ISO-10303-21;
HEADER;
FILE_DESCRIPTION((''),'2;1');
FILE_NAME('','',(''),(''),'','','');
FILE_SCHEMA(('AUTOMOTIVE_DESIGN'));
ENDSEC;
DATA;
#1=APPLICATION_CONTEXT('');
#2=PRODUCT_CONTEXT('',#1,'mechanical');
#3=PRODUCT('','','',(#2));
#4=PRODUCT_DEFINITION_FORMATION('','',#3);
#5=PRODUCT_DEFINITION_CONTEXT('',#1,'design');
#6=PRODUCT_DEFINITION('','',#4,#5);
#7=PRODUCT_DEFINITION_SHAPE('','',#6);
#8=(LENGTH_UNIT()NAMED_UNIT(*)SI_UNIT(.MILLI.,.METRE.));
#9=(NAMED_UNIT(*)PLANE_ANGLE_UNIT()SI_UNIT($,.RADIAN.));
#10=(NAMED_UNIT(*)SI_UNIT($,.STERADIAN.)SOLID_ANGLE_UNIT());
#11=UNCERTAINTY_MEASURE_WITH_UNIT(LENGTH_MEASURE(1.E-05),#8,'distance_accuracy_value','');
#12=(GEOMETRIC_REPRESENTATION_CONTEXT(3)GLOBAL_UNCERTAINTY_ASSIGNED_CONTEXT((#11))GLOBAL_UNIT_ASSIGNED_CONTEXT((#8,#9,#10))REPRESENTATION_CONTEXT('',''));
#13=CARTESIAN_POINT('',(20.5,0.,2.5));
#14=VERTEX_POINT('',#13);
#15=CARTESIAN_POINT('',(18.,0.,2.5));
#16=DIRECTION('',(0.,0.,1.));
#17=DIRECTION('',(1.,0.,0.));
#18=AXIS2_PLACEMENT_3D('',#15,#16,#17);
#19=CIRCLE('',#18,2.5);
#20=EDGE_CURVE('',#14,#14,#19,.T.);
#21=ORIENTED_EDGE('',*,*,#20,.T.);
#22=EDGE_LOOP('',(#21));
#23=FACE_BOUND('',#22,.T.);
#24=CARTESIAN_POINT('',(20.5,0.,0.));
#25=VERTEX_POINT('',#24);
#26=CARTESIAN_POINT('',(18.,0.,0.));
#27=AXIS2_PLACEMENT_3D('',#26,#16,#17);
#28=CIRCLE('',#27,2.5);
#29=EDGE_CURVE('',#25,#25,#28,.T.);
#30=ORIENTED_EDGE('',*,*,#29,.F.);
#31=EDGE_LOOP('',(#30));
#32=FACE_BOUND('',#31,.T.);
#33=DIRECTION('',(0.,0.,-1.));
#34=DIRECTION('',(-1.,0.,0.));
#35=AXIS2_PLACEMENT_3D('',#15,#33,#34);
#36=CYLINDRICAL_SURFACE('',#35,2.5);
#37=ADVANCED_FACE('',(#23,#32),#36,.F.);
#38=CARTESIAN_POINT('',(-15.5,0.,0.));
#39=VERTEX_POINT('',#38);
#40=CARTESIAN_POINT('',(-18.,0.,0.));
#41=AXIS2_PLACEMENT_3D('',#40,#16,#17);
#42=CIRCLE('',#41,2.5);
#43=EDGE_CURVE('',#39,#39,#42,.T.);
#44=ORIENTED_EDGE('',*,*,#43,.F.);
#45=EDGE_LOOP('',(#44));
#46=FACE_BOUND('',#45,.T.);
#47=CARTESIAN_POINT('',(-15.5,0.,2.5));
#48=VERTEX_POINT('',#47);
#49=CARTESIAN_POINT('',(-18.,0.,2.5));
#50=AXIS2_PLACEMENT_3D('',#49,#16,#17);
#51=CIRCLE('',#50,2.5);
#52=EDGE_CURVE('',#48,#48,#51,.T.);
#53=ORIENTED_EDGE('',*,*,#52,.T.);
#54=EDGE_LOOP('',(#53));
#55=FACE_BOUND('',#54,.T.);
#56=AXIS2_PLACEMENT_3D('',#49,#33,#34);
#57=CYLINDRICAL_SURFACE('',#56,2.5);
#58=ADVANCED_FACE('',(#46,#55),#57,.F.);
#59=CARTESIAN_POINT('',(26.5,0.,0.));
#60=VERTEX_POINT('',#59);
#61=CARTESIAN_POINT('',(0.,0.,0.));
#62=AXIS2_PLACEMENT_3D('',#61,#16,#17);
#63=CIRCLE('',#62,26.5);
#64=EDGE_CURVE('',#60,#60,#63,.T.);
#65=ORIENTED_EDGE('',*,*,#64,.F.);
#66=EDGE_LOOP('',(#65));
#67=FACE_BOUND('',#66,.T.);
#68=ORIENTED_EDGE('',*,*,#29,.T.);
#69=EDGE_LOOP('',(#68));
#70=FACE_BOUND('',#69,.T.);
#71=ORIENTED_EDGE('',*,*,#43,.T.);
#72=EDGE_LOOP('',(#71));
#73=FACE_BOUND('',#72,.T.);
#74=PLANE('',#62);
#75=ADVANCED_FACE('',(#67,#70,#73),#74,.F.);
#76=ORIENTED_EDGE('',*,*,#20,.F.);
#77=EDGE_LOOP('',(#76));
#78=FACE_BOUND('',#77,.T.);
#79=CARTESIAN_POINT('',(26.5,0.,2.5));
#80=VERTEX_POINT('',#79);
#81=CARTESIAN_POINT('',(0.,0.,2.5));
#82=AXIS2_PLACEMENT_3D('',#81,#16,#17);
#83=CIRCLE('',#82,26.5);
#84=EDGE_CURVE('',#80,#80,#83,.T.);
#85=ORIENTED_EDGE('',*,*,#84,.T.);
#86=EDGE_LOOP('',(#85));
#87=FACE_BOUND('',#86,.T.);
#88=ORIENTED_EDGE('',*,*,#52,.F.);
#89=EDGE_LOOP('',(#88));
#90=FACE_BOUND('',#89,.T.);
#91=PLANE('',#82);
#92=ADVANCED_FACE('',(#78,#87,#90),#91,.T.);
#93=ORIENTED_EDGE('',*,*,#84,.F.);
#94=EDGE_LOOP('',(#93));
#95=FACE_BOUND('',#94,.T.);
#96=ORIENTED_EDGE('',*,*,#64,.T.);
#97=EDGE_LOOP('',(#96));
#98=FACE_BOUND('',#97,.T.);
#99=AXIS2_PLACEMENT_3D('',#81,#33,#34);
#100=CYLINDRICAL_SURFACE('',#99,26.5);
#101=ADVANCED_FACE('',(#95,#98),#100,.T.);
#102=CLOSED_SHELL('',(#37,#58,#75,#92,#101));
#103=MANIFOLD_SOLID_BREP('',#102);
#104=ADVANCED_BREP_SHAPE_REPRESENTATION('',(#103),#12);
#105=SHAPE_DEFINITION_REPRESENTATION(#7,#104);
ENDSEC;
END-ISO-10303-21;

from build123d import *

# Parameters (mm, degrees)
SKETCH1_R           = 26.5
SKETCH1_R_2         = 2.5
BOSS_EXTRUDE1_DEPTH = 2.5


with BuildPart() as part:
    # Sketch1 → Boss-Extrude1 (new body)
    with BuildSketch(Plane.XY):
        Circle(SKETCH1_R)
        with Locations((18, 0)):
            Circle(SKETCH1_R_2, mode=Mode.SUBTRACT)
        with Locations((-18, 0)):
            Circle(SKETCH1_R_2, mode=Mode.SUBTRACT)
    extrude(amount=BOSS_EXTRUDE1_DEPTH)


solid = part.part
